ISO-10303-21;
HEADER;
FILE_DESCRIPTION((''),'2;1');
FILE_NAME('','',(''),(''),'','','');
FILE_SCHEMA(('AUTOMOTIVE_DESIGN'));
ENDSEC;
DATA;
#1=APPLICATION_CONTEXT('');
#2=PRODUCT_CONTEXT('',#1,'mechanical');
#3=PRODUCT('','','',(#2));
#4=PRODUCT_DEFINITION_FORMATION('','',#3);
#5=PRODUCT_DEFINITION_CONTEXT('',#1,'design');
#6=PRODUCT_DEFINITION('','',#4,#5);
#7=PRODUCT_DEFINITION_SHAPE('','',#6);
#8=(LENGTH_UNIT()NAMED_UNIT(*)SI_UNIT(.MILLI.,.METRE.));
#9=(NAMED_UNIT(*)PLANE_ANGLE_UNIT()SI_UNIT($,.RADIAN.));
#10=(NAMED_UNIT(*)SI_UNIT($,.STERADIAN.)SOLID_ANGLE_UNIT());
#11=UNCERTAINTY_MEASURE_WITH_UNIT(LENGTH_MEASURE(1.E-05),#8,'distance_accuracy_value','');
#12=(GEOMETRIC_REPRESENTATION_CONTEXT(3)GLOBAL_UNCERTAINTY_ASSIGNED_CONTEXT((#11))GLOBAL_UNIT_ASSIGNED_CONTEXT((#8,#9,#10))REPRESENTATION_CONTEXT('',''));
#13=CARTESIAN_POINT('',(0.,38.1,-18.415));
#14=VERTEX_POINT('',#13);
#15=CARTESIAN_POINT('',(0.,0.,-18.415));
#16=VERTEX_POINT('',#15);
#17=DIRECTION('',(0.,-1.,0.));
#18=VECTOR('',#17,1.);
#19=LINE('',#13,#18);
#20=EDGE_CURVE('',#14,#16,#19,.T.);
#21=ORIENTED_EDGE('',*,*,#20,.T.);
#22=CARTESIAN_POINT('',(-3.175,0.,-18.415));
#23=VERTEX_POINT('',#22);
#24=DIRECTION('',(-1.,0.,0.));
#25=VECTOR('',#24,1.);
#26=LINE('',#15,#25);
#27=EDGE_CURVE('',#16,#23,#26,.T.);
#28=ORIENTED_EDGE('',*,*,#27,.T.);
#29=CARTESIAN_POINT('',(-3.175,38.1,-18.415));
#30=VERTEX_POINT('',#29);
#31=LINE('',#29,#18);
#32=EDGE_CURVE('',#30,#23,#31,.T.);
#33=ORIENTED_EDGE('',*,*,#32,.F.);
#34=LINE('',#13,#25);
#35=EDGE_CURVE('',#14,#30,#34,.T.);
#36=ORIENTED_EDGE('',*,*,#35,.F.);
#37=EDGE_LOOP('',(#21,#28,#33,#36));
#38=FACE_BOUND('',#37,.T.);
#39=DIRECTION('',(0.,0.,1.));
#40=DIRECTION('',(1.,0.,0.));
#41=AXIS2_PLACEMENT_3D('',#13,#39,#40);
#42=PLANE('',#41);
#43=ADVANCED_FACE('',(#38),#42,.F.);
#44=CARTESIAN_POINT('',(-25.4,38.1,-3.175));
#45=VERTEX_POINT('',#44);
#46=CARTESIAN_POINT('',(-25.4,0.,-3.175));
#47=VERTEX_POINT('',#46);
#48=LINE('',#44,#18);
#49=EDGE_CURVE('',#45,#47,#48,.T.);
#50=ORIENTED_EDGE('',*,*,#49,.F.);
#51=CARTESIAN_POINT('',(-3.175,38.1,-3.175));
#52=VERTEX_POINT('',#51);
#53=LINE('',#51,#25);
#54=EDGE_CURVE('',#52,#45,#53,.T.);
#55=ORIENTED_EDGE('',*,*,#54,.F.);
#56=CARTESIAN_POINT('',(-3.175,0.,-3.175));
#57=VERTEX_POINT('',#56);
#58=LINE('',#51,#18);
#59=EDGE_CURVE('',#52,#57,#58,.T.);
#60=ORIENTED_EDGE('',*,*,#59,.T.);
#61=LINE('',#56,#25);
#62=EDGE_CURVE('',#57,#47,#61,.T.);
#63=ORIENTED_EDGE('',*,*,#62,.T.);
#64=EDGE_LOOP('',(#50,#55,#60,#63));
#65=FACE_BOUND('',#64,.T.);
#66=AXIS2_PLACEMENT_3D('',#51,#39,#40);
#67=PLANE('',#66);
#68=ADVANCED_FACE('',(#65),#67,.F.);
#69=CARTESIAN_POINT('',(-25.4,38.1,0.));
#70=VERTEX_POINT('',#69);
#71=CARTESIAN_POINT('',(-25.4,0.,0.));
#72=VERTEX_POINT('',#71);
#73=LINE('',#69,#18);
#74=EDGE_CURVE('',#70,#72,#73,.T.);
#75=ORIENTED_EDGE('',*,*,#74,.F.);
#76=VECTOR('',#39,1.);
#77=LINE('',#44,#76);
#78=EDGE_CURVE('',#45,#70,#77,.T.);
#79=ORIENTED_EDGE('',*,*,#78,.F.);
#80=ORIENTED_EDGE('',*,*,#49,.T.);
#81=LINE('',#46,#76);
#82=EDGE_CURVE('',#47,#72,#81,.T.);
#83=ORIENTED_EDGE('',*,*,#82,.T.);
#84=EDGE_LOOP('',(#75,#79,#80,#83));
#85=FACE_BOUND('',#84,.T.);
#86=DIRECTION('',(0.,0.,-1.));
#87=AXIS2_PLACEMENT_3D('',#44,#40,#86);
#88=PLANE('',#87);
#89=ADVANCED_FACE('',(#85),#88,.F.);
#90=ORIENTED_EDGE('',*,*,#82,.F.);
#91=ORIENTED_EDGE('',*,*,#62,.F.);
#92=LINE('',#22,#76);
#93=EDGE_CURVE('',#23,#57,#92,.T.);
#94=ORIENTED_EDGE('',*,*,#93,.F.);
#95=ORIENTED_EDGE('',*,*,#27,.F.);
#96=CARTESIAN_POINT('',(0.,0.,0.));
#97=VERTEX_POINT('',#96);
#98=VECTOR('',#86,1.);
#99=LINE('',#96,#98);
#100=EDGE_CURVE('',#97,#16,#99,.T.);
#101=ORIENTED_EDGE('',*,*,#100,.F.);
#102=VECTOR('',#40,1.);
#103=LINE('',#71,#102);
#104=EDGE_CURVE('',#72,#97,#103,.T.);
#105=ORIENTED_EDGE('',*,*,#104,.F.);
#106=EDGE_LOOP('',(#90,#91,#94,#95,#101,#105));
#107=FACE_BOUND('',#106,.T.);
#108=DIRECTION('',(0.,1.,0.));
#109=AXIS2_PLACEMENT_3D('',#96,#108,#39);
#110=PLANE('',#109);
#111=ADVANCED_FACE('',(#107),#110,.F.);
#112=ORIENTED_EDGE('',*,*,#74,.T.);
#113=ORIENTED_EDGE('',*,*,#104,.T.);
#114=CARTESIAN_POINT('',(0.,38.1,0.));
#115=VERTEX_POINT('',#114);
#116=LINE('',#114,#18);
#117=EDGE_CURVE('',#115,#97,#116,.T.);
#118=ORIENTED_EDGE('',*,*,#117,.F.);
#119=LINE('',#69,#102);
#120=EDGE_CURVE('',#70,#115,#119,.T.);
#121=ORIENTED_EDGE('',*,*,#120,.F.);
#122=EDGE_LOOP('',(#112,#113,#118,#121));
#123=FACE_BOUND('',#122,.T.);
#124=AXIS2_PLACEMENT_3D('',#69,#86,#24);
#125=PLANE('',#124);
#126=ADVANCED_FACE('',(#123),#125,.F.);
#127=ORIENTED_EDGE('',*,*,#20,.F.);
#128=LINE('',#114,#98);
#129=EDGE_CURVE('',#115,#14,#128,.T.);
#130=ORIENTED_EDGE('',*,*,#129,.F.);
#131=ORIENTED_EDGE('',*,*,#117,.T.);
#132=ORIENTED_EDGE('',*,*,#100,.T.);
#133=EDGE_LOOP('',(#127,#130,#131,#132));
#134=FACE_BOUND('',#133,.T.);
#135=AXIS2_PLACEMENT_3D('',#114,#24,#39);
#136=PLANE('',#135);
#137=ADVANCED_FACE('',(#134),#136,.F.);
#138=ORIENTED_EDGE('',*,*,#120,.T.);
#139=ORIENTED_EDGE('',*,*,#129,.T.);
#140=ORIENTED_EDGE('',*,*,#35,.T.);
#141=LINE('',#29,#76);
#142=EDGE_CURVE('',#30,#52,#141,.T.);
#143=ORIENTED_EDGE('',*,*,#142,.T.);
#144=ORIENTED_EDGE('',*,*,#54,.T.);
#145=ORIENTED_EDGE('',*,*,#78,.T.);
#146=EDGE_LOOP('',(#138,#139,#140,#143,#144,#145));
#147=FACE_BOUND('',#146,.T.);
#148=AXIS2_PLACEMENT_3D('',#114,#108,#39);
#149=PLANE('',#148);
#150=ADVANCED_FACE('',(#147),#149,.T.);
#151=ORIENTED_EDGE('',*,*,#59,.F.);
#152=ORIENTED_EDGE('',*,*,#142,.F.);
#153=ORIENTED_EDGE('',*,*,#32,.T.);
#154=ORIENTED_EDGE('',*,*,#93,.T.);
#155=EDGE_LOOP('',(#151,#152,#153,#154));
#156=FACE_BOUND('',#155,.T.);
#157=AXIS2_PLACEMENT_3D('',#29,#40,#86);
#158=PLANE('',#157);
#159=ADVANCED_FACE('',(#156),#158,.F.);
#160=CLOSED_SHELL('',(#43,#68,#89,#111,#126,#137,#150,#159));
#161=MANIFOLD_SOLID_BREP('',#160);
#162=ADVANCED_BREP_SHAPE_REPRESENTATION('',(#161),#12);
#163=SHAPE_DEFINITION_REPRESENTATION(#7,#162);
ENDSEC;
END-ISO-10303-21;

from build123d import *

# Parameters (mm, degrees)
BOSS_EXTRUDE1_DEPTH = 38.1


with BuildPart() as part:
    # Sketch1 → Boss-Extrude1 (new body)
    with BuildSketch(Plane(origin=(0, 0, 0), x_dir=(1, 0, 0), z_dir=(0, 1, 0))):
        Polygon((0, 0), (0, 18.415), (-3.175, 18.415), (-3.175, 3.175), (-25.4, 3.175), (-25.4, 0), align=None)
    extrude(amount=BOSS_EXTRUDE1_DEPTH)


solid = part.part
